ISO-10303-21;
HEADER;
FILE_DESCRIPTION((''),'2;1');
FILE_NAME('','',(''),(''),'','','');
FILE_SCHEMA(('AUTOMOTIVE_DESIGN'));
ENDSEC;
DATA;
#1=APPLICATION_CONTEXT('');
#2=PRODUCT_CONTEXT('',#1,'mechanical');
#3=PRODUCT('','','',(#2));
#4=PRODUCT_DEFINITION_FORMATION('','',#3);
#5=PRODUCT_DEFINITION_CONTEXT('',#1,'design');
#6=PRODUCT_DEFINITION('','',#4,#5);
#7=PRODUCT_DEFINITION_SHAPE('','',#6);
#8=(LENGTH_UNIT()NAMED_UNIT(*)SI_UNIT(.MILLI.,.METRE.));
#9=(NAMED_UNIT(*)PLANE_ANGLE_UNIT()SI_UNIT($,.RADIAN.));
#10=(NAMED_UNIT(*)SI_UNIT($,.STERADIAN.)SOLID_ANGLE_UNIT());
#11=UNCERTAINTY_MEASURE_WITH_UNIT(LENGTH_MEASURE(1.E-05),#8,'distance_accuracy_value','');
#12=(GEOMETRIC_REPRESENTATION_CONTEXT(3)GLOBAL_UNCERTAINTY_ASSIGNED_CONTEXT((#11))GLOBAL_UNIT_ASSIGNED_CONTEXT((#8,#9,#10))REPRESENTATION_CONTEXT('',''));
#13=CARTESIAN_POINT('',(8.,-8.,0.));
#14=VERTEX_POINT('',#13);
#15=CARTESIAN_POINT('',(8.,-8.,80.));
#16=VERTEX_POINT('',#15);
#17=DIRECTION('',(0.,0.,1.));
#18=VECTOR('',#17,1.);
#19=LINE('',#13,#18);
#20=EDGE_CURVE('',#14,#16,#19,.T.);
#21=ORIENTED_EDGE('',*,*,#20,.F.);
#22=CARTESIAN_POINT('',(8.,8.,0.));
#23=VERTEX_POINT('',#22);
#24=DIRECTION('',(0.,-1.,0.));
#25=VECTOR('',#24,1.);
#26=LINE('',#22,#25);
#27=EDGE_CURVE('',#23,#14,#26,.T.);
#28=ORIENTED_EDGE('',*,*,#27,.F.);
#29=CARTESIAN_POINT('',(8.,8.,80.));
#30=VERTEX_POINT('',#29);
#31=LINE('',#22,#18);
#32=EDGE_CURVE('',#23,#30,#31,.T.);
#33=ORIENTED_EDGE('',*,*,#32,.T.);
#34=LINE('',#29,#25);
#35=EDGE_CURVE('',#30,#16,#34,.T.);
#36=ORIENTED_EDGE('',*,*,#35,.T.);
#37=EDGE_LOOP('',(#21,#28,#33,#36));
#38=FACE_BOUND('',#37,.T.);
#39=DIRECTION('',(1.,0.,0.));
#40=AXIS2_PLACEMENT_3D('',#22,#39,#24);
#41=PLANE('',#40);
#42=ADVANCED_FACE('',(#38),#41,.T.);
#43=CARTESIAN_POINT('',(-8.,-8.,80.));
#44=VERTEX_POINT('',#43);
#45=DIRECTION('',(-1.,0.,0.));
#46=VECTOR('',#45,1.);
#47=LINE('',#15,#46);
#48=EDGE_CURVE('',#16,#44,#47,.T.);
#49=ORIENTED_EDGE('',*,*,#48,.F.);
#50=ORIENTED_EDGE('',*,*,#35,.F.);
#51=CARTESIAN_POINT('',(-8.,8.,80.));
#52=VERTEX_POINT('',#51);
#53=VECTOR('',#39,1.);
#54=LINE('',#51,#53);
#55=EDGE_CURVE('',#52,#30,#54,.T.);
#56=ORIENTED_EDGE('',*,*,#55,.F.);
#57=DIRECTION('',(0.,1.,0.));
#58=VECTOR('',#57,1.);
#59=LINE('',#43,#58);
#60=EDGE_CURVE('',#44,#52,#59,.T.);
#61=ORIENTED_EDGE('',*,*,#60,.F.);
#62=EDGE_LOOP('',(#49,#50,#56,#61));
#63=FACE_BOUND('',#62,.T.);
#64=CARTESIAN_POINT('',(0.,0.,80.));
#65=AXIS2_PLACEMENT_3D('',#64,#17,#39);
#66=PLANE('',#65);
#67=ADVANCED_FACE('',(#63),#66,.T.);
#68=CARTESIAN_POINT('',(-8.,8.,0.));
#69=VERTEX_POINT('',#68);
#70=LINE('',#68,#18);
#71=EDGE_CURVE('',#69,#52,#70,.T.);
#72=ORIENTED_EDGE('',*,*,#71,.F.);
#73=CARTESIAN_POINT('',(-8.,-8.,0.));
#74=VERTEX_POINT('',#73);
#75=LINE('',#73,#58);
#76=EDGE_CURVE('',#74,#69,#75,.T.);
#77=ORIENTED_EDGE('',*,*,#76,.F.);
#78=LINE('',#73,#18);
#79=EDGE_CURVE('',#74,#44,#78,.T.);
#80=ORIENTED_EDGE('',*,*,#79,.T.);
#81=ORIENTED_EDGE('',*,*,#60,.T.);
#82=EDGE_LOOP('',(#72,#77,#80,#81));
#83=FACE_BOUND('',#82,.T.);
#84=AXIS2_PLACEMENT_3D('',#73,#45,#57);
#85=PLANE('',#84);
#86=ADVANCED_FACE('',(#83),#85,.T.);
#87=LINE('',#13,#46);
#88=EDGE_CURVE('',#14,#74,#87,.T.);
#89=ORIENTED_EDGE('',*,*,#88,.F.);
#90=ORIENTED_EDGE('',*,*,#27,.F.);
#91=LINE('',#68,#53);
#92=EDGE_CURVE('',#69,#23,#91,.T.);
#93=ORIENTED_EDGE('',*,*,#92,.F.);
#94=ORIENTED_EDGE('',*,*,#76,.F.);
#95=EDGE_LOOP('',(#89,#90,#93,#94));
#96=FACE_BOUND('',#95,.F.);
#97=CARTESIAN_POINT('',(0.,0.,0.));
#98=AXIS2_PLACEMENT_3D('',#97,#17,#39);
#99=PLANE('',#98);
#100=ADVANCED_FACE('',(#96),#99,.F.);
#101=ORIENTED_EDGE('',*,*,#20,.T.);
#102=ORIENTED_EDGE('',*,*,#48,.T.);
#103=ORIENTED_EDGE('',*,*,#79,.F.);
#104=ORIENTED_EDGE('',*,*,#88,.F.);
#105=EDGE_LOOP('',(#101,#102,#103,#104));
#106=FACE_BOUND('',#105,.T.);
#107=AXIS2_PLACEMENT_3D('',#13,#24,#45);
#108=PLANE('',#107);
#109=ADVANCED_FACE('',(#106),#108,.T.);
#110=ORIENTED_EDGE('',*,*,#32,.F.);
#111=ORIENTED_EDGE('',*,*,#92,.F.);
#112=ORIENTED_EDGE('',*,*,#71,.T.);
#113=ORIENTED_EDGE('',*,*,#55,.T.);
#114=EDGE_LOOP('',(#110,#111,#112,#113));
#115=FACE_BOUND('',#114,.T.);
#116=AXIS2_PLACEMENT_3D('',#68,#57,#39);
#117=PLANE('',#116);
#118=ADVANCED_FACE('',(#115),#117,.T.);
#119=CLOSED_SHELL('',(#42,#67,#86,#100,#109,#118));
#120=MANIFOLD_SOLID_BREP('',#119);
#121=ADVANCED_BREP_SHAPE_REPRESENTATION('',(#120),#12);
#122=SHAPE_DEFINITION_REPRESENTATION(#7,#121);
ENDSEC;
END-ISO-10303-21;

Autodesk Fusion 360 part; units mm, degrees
sketch "Sketch1" plane through (0, 0, 0) normal (0, 0, 1) x (1, 0, 0)
  line L0 (8, -8) -> (-8, -8)
  line L1 (-8, -8) -> (-8, 8)
  line L2 (-8, 8) -> (8, 8)
  line L3 (8, 8) -> (8, -8)
  line L4 (8, -8) -> (-8, 8) construction
  line L5 (-8, -8) -> (8, 8) construction
  dimension "d1" = 16
  dimension "d2" = 16
extrude "Extrude1" add sketch "Sketch1" along normal blind 80
